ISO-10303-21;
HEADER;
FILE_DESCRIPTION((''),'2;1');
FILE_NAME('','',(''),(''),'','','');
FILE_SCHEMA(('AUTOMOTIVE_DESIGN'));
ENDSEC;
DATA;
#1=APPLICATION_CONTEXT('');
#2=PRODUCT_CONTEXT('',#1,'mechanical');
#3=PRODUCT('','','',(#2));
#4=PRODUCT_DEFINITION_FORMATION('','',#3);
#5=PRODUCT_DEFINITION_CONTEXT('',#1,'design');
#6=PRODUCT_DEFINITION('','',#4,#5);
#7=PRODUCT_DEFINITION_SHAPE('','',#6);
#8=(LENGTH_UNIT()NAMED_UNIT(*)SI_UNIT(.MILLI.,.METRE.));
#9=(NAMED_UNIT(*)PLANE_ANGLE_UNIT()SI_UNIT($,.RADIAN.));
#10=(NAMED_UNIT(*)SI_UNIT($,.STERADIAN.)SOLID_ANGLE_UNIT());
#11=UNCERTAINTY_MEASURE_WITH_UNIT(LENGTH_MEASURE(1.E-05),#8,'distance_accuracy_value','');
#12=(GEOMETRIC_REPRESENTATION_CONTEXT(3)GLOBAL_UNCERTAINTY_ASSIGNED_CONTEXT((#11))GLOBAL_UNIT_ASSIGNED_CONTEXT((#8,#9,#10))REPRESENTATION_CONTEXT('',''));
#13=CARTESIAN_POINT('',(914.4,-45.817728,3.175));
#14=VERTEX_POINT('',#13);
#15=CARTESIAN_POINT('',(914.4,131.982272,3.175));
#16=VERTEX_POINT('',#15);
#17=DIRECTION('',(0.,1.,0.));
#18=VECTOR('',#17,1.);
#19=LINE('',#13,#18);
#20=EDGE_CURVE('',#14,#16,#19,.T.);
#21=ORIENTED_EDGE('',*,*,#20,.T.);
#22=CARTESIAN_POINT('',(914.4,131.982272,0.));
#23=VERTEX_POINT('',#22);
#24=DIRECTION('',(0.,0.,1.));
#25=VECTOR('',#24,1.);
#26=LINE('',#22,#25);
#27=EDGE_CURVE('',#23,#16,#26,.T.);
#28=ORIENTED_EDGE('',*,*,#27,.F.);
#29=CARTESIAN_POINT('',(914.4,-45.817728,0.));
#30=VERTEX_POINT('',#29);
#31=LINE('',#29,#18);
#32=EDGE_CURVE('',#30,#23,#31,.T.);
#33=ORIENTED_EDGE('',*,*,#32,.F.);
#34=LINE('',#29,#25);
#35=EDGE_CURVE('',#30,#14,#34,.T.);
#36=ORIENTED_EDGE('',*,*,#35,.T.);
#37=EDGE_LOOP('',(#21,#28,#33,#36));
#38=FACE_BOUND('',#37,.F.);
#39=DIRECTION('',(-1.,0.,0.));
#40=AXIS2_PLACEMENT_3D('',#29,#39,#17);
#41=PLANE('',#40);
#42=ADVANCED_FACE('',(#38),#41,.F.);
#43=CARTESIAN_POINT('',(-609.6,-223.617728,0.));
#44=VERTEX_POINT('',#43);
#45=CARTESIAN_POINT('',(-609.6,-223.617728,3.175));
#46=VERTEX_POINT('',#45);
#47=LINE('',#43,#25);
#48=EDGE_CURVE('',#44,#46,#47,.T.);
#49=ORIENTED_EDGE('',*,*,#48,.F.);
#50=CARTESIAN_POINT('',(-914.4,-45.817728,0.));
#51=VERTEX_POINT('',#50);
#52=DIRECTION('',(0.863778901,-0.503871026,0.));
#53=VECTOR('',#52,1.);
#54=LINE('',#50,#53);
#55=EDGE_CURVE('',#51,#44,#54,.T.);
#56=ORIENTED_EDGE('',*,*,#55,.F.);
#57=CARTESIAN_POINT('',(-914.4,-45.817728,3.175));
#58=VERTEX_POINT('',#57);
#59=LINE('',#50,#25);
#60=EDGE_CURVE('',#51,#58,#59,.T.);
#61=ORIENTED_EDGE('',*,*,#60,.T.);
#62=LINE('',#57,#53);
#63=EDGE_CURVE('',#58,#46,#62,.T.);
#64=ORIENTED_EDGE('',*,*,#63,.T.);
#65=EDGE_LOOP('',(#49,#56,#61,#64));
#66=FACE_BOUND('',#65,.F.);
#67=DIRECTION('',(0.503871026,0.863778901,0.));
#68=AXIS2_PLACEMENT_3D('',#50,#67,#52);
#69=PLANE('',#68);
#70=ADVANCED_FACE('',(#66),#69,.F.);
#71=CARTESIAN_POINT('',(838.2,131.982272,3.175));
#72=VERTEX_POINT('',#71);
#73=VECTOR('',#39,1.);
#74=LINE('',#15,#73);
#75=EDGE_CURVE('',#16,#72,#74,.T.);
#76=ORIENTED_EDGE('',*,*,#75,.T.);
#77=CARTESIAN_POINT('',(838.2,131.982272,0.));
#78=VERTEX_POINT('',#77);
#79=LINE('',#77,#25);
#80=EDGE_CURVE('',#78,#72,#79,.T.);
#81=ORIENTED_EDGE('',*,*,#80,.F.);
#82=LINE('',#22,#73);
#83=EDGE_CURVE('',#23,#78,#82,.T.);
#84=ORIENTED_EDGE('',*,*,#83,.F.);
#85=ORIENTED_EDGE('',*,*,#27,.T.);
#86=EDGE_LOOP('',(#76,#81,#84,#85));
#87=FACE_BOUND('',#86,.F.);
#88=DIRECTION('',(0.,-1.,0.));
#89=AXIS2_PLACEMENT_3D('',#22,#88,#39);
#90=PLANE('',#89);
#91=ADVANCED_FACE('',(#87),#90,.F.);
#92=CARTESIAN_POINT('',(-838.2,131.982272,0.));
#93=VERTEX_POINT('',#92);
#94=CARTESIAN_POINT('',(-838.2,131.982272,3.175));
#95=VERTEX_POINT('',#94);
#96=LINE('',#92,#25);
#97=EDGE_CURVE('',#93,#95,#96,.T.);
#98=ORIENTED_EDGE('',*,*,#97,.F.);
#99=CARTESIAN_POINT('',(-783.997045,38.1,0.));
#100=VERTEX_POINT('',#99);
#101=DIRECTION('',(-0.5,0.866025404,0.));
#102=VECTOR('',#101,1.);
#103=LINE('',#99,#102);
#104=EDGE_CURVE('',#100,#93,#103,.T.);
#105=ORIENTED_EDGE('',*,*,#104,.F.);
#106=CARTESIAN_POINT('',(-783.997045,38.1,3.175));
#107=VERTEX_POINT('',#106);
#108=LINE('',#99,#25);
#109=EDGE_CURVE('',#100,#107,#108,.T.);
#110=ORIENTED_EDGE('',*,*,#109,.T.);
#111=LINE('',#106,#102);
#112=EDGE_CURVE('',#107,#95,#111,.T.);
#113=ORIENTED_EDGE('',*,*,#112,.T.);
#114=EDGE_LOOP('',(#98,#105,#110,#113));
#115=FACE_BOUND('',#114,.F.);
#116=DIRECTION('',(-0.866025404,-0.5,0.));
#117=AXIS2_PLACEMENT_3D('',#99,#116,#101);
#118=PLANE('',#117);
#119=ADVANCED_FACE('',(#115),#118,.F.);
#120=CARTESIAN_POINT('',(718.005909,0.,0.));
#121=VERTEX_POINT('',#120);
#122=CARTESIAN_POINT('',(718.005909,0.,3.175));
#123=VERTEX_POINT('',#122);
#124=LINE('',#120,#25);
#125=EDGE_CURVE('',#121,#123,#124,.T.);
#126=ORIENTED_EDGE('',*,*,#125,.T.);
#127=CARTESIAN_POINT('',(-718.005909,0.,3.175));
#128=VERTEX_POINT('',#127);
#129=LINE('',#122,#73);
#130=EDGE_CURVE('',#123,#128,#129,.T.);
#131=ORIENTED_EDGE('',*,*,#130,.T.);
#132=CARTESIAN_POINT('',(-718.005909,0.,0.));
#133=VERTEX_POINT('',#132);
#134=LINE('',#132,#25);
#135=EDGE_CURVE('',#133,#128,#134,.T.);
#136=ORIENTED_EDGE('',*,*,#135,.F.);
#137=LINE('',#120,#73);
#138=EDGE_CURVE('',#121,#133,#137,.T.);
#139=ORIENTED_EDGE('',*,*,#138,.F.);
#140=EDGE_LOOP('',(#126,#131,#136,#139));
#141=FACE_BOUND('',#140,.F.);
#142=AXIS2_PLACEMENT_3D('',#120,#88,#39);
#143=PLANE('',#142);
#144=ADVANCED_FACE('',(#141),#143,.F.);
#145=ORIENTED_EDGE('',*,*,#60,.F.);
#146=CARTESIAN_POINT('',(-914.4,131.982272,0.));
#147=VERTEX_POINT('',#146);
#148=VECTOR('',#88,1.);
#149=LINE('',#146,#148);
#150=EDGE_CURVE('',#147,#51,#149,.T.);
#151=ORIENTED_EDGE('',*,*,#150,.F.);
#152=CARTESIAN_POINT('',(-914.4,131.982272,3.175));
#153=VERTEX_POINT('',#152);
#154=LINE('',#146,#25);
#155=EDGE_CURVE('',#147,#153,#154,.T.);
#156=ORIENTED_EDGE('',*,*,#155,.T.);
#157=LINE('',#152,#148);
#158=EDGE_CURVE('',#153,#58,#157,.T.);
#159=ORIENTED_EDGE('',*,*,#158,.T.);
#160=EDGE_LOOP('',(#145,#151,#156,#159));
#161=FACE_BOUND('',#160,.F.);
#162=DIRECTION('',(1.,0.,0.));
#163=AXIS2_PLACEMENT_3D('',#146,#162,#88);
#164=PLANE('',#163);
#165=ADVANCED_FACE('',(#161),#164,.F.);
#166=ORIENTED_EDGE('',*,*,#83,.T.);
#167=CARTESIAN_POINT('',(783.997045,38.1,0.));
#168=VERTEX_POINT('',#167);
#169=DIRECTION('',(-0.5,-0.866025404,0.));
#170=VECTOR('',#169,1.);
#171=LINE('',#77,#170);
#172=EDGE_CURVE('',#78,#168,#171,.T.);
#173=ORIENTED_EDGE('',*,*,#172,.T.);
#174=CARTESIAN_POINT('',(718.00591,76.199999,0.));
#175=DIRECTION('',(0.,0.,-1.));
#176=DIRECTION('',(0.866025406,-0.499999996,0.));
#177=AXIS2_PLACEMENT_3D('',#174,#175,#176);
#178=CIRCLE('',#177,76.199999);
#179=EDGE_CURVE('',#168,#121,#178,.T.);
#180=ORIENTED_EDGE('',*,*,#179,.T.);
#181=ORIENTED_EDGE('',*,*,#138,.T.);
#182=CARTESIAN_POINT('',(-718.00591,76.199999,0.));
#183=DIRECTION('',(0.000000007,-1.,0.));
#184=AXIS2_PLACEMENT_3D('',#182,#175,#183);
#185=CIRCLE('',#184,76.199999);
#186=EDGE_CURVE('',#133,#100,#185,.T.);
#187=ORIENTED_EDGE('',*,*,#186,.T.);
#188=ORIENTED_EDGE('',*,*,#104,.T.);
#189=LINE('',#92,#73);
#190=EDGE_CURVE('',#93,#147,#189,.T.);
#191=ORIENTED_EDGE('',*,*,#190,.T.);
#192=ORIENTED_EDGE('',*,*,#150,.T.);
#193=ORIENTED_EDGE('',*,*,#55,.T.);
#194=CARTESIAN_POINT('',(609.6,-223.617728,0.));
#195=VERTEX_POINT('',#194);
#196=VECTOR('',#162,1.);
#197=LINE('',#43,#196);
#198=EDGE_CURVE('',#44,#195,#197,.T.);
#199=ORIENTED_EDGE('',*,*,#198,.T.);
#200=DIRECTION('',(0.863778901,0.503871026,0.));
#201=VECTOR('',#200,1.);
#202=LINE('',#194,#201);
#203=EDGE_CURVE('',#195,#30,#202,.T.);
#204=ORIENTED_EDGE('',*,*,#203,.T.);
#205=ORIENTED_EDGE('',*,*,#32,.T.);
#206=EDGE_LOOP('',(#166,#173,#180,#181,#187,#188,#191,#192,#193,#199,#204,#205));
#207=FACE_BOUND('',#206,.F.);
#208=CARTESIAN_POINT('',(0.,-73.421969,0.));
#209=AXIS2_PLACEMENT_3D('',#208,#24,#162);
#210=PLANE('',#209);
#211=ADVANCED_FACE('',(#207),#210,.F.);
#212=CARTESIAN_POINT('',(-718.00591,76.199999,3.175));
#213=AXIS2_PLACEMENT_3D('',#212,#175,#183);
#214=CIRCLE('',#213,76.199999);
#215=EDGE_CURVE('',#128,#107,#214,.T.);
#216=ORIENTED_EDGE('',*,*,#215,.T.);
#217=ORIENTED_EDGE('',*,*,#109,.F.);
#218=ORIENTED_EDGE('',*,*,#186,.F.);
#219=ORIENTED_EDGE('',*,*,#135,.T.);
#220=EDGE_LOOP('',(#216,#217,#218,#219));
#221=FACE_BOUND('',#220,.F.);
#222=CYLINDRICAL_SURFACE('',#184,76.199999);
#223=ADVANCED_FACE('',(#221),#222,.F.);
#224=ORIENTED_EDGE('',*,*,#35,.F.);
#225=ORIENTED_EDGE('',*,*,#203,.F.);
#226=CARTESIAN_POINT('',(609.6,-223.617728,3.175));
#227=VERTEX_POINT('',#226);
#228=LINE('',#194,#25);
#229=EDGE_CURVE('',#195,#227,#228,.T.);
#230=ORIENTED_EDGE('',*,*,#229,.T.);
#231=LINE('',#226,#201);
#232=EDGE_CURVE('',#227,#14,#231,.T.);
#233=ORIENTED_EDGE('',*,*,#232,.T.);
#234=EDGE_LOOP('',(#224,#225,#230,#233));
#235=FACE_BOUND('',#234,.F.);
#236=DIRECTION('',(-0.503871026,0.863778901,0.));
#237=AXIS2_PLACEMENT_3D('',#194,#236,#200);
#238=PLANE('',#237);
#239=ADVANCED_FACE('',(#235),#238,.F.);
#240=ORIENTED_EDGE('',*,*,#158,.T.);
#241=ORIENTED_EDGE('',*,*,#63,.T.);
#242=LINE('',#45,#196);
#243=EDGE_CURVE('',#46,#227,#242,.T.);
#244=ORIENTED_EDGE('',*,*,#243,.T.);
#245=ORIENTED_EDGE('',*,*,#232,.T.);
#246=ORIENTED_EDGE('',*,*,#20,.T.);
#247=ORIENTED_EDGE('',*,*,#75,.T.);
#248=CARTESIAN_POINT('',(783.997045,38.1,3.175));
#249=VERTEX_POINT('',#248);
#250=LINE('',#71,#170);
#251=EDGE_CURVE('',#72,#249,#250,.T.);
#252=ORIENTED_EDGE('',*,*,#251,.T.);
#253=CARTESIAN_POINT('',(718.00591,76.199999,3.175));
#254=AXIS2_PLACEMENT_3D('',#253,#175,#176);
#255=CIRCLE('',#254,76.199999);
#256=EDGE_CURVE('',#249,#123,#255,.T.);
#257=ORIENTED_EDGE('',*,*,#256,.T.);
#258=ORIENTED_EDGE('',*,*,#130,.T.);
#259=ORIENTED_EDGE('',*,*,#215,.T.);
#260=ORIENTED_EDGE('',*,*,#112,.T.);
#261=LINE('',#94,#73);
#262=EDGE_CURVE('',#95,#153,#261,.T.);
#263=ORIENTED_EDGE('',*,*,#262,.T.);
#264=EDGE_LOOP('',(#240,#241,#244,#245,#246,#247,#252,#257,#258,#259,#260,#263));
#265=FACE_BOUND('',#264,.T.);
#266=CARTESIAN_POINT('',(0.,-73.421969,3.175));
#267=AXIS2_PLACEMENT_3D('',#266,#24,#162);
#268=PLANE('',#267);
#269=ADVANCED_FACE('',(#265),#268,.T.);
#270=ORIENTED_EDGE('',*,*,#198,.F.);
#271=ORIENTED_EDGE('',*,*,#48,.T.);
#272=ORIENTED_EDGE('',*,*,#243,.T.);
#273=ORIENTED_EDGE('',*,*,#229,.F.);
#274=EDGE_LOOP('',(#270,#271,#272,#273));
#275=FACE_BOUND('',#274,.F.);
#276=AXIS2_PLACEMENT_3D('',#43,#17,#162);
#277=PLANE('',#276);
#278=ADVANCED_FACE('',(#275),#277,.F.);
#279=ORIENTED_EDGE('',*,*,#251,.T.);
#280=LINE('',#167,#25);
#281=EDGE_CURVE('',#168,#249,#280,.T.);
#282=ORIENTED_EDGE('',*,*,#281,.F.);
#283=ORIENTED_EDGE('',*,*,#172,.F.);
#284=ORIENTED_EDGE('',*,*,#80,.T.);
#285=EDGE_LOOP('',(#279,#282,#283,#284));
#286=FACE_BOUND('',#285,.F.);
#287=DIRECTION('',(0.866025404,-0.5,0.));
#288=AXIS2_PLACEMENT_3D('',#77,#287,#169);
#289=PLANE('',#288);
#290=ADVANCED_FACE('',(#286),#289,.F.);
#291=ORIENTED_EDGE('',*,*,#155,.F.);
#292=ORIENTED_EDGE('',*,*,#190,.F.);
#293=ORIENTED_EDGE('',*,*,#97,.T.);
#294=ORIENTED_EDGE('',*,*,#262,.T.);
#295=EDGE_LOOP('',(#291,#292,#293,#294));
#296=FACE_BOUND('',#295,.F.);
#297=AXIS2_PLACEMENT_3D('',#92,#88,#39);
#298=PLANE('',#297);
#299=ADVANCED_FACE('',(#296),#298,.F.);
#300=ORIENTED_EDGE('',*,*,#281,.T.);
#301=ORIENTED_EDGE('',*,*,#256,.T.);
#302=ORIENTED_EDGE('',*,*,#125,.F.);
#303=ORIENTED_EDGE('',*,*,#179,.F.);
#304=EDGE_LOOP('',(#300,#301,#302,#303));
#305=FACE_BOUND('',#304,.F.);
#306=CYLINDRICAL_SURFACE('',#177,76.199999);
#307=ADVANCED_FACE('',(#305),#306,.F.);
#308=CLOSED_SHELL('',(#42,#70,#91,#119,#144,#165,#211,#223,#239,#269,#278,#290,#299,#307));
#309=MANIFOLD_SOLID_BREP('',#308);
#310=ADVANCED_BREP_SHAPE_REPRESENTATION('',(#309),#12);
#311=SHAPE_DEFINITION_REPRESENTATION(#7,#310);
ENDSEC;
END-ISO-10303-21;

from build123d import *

# Parameters (mm, degrees)
F1_DEPTH = 3.175


with BuildPart() as f1:
    # F0 (on Top) → F1 (new body)
    with BuildSketch(Plane.XY):
        with BuildLine():
            Line((914.4, -45.817728), (914.4, 131.982272))
            Line((914.4, 131.982272), (838.2, 131.982272))
            Line((838.2, 131.982272), (783.997045, 38.1))
            ThreePointArc((783.997045, 38.1), (756.105909, 10.208864), (718.005909, 0))
            Line((718.005909, 0), (-718.005909, 0))
            ThreePointArc((-718.005909, 0), (-756.105909, 10.208864), (-783.997045, 38.1))
            Line((-783.997045, 38.1), (-838.2, 131.982272))
            Line((-838.2, 131.982272), (-914.4, 131.982272))
            Line((-914.4, 131.982272), (-914.4, -45.817728))
            Line((-914.4, -45.817728), (-609.6, -223.617728))
            Line((-609.6, -223.617728), (609.6, -223.617728))
            Line((609.6, -223.617728), (914.4, -45.817728))
        make_face()
    extrude(amount=F1_DEPTH)


solid = f1.part
